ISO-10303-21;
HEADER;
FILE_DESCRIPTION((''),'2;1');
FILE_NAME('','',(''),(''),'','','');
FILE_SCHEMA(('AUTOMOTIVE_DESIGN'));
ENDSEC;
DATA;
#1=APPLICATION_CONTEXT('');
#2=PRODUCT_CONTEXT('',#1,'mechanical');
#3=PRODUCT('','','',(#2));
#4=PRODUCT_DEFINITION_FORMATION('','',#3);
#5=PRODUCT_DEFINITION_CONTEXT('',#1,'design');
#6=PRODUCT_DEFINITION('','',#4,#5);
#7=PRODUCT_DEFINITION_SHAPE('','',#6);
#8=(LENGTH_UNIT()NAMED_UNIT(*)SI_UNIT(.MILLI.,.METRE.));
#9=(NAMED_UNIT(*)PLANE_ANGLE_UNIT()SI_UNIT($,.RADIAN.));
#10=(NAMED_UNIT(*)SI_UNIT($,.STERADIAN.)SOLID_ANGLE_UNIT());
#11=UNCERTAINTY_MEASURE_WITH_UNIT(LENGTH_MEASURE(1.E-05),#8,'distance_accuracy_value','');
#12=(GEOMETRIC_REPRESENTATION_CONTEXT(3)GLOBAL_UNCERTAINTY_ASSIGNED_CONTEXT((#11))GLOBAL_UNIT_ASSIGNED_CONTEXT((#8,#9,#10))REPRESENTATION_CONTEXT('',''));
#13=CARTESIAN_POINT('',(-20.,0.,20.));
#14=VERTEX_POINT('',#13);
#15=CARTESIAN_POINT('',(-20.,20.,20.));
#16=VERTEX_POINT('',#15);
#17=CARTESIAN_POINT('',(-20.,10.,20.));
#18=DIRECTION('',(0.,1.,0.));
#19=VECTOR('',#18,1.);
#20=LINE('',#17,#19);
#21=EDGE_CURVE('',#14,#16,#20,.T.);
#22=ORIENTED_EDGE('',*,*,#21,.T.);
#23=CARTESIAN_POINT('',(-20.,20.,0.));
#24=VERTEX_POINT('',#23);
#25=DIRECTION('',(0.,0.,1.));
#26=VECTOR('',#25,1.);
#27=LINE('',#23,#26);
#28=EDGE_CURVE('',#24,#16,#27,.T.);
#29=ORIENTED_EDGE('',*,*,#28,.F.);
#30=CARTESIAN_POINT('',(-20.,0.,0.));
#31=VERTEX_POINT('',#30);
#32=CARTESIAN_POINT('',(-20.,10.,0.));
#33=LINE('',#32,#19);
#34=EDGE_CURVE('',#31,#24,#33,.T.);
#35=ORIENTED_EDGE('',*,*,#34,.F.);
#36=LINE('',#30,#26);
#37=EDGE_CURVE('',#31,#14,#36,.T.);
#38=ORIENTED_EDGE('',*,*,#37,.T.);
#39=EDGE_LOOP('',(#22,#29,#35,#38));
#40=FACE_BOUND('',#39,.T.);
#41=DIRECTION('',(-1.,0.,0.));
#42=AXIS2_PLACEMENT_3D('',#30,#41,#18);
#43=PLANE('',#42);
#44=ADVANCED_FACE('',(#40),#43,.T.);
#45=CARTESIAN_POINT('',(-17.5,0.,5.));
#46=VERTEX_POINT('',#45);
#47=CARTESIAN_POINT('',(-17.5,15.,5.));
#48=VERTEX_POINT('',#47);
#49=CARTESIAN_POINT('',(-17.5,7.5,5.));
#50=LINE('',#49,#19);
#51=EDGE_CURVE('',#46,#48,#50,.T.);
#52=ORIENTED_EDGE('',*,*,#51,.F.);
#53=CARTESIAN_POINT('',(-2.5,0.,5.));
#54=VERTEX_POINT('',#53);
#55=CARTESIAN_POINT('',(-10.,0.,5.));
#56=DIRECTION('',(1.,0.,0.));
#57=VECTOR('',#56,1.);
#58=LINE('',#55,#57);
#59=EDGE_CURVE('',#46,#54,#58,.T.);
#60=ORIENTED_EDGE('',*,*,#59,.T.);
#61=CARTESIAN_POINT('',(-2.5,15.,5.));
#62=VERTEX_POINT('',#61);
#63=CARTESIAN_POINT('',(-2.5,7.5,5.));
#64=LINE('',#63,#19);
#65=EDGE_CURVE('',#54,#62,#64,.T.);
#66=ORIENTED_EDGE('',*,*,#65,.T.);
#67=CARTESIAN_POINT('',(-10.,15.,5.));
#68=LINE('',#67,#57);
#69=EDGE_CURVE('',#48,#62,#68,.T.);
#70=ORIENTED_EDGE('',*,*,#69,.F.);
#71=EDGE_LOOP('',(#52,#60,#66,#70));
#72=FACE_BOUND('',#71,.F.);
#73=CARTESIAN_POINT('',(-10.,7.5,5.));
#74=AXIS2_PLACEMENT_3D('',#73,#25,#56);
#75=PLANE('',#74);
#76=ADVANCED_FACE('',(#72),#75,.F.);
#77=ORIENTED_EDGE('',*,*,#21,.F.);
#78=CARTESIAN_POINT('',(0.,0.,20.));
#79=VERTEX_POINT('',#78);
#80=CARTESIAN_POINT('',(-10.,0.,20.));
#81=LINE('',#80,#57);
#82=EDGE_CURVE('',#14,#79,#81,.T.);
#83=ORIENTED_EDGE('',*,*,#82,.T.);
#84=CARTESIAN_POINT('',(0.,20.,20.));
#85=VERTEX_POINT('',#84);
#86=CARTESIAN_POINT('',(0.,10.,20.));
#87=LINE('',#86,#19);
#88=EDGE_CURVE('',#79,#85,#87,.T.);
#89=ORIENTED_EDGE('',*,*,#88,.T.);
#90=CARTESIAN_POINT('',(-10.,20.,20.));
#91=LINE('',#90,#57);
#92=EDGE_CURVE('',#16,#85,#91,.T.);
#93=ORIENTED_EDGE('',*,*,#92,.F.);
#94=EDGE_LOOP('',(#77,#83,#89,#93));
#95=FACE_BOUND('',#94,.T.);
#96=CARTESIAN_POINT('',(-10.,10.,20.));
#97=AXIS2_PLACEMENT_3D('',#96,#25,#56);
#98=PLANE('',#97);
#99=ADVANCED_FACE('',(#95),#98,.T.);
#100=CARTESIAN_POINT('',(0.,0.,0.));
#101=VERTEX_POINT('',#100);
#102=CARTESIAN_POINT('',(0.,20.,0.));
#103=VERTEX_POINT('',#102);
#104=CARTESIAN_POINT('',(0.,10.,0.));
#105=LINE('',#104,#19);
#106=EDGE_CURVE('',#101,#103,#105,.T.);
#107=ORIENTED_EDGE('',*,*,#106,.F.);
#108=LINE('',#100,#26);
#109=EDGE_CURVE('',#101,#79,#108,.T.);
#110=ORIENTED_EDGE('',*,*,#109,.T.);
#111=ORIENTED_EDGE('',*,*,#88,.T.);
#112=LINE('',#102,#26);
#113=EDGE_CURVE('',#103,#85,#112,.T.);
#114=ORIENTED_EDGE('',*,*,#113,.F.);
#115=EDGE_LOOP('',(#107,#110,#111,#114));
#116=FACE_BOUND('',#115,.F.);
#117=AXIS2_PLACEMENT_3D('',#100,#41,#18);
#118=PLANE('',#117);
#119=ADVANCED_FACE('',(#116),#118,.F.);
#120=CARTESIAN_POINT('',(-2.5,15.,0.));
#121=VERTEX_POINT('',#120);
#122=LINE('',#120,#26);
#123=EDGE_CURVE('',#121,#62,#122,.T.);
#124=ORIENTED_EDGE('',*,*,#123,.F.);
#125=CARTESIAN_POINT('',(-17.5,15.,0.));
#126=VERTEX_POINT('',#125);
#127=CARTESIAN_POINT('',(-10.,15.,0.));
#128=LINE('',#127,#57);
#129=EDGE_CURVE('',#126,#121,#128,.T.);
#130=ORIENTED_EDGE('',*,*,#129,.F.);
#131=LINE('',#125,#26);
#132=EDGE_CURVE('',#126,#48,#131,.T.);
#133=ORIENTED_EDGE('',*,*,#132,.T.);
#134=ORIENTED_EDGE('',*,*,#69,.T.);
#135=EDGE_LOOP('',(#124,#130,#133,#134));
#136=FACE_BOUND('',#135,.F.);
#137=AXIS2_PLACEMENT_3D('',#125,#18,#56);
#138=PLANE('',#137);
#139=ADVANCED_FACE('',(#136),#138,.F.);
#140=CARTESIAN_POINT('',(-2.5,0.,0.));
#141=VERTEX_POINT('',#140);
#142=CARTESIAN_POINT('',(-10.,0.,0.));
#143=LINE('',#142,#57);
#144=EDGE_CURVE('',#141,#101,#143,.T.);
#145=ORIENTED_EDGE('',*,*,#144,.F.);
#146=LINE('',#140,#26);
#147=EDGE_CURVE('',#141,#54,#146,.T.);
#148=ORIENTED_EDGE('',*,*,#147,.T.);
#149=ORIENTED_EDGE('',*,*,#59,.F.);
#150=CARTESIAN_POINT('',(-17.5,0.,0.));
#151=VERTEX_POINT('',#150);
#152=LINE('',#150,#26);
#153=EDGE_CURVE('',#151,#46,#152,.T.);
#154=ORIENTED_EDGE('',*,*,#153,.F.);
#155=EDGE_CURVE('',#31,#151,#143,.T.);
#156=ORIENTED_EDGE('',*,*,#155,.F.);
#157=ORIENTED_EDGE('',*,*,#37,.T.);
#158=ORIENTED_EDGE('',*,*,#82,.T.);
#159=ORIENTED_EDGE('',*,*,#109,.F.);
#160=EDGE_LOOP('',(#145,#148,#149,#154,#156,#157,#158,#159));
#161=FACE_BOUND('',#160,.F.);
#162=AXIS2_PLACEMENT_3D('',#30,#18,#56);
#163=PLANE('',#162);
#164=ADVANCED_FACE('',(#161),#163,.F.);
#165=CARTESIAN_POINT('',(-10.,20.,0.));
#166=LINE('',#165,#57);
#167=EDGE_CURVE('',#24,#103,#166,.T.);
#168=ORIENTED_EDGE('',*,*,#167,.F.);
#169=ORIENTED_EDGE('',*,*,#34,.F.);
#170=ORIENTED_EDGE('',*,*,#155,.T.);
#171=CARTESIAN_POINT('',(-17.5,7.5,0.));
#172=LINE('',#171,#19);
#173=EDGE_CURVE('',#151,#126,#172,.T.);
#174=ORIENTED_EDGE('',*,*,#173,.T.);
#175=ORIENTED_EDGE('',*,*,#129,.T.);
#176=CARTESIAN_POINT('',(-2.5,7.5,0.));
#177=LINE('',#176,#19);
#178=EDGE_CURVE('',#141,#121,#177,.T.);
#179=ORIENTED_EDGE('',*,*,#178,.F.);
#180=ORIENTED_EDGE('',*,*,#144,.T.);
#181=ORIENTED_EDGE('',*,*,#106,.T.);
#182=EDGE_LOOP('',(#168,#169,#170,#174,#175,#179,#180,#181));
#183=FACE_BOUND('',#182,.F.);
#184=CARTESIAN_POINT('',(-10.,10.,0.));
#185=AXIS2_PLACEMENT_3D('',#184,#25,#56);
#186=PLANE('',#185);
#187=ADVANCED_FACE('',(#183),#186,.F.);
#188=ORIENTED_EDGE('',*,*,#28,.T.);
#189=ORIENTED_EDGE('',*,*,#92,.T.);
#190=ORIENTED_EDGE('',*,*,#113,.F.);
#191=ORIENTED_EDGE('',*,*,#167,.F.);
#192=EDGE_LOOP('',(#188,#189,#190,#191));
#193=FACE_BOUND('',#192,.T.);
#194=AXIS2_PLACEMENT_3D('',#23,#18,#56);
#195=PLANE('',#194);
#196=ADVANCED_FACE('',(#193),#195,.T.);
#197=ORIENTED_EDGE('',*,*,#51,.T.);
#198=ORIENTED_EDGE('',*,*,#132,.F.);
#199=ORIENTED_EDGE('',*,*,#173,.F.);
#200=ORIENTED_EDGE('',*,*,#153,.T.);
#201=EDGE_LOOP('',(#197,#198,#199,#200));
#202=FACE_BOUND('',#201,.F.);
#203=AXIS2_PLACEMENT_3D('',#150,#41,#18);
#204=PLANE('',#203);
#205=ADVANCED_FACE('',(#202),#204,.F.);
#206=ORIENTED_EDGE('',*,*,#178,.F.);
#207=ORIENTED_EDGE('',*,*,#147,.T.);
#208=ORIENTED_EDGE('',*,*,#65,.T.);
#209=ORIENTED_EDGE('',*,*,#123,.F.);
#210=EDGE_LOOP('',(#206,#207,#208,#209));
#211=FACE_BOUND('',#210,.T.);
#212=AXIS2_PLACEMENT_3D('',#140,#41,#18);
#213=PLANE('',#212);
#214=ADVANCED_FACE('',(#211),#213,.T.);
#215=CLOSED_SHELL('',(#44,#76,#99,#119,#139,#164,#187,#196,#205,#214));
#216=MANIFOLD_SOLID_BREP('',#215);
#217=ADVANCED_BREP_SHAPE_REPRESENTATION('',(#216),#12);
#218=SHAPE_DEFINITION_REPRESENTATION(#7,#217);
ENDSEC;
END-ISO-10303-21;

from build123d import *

# Parameters (mm, degrees)
F0_W     = 20
F0_H     = 20
F1_DEPTH = 20
F2_W     = 15
F2_H     = 15
F3_DEPTH = 5


with BuildPart() as f1:
    # F0 (on Top) → F1 (new body)
    with BuildSketch(Plane.XY):
        with Locations((-10, 10)):
            Rectangle(F0_W, F0_H)
    extrude(amount=F1_DEPTH)

    # F2 (on Top) → F3 (cut)
    with BuildSketch(Plane.XY):
        with Locations((-10, 7.5)):
            Rectangle(F2_W, F2_H)
    extrude(amount=F3_DEPTH, mode=Mode.SUBTRACT)


solid = f1.part
